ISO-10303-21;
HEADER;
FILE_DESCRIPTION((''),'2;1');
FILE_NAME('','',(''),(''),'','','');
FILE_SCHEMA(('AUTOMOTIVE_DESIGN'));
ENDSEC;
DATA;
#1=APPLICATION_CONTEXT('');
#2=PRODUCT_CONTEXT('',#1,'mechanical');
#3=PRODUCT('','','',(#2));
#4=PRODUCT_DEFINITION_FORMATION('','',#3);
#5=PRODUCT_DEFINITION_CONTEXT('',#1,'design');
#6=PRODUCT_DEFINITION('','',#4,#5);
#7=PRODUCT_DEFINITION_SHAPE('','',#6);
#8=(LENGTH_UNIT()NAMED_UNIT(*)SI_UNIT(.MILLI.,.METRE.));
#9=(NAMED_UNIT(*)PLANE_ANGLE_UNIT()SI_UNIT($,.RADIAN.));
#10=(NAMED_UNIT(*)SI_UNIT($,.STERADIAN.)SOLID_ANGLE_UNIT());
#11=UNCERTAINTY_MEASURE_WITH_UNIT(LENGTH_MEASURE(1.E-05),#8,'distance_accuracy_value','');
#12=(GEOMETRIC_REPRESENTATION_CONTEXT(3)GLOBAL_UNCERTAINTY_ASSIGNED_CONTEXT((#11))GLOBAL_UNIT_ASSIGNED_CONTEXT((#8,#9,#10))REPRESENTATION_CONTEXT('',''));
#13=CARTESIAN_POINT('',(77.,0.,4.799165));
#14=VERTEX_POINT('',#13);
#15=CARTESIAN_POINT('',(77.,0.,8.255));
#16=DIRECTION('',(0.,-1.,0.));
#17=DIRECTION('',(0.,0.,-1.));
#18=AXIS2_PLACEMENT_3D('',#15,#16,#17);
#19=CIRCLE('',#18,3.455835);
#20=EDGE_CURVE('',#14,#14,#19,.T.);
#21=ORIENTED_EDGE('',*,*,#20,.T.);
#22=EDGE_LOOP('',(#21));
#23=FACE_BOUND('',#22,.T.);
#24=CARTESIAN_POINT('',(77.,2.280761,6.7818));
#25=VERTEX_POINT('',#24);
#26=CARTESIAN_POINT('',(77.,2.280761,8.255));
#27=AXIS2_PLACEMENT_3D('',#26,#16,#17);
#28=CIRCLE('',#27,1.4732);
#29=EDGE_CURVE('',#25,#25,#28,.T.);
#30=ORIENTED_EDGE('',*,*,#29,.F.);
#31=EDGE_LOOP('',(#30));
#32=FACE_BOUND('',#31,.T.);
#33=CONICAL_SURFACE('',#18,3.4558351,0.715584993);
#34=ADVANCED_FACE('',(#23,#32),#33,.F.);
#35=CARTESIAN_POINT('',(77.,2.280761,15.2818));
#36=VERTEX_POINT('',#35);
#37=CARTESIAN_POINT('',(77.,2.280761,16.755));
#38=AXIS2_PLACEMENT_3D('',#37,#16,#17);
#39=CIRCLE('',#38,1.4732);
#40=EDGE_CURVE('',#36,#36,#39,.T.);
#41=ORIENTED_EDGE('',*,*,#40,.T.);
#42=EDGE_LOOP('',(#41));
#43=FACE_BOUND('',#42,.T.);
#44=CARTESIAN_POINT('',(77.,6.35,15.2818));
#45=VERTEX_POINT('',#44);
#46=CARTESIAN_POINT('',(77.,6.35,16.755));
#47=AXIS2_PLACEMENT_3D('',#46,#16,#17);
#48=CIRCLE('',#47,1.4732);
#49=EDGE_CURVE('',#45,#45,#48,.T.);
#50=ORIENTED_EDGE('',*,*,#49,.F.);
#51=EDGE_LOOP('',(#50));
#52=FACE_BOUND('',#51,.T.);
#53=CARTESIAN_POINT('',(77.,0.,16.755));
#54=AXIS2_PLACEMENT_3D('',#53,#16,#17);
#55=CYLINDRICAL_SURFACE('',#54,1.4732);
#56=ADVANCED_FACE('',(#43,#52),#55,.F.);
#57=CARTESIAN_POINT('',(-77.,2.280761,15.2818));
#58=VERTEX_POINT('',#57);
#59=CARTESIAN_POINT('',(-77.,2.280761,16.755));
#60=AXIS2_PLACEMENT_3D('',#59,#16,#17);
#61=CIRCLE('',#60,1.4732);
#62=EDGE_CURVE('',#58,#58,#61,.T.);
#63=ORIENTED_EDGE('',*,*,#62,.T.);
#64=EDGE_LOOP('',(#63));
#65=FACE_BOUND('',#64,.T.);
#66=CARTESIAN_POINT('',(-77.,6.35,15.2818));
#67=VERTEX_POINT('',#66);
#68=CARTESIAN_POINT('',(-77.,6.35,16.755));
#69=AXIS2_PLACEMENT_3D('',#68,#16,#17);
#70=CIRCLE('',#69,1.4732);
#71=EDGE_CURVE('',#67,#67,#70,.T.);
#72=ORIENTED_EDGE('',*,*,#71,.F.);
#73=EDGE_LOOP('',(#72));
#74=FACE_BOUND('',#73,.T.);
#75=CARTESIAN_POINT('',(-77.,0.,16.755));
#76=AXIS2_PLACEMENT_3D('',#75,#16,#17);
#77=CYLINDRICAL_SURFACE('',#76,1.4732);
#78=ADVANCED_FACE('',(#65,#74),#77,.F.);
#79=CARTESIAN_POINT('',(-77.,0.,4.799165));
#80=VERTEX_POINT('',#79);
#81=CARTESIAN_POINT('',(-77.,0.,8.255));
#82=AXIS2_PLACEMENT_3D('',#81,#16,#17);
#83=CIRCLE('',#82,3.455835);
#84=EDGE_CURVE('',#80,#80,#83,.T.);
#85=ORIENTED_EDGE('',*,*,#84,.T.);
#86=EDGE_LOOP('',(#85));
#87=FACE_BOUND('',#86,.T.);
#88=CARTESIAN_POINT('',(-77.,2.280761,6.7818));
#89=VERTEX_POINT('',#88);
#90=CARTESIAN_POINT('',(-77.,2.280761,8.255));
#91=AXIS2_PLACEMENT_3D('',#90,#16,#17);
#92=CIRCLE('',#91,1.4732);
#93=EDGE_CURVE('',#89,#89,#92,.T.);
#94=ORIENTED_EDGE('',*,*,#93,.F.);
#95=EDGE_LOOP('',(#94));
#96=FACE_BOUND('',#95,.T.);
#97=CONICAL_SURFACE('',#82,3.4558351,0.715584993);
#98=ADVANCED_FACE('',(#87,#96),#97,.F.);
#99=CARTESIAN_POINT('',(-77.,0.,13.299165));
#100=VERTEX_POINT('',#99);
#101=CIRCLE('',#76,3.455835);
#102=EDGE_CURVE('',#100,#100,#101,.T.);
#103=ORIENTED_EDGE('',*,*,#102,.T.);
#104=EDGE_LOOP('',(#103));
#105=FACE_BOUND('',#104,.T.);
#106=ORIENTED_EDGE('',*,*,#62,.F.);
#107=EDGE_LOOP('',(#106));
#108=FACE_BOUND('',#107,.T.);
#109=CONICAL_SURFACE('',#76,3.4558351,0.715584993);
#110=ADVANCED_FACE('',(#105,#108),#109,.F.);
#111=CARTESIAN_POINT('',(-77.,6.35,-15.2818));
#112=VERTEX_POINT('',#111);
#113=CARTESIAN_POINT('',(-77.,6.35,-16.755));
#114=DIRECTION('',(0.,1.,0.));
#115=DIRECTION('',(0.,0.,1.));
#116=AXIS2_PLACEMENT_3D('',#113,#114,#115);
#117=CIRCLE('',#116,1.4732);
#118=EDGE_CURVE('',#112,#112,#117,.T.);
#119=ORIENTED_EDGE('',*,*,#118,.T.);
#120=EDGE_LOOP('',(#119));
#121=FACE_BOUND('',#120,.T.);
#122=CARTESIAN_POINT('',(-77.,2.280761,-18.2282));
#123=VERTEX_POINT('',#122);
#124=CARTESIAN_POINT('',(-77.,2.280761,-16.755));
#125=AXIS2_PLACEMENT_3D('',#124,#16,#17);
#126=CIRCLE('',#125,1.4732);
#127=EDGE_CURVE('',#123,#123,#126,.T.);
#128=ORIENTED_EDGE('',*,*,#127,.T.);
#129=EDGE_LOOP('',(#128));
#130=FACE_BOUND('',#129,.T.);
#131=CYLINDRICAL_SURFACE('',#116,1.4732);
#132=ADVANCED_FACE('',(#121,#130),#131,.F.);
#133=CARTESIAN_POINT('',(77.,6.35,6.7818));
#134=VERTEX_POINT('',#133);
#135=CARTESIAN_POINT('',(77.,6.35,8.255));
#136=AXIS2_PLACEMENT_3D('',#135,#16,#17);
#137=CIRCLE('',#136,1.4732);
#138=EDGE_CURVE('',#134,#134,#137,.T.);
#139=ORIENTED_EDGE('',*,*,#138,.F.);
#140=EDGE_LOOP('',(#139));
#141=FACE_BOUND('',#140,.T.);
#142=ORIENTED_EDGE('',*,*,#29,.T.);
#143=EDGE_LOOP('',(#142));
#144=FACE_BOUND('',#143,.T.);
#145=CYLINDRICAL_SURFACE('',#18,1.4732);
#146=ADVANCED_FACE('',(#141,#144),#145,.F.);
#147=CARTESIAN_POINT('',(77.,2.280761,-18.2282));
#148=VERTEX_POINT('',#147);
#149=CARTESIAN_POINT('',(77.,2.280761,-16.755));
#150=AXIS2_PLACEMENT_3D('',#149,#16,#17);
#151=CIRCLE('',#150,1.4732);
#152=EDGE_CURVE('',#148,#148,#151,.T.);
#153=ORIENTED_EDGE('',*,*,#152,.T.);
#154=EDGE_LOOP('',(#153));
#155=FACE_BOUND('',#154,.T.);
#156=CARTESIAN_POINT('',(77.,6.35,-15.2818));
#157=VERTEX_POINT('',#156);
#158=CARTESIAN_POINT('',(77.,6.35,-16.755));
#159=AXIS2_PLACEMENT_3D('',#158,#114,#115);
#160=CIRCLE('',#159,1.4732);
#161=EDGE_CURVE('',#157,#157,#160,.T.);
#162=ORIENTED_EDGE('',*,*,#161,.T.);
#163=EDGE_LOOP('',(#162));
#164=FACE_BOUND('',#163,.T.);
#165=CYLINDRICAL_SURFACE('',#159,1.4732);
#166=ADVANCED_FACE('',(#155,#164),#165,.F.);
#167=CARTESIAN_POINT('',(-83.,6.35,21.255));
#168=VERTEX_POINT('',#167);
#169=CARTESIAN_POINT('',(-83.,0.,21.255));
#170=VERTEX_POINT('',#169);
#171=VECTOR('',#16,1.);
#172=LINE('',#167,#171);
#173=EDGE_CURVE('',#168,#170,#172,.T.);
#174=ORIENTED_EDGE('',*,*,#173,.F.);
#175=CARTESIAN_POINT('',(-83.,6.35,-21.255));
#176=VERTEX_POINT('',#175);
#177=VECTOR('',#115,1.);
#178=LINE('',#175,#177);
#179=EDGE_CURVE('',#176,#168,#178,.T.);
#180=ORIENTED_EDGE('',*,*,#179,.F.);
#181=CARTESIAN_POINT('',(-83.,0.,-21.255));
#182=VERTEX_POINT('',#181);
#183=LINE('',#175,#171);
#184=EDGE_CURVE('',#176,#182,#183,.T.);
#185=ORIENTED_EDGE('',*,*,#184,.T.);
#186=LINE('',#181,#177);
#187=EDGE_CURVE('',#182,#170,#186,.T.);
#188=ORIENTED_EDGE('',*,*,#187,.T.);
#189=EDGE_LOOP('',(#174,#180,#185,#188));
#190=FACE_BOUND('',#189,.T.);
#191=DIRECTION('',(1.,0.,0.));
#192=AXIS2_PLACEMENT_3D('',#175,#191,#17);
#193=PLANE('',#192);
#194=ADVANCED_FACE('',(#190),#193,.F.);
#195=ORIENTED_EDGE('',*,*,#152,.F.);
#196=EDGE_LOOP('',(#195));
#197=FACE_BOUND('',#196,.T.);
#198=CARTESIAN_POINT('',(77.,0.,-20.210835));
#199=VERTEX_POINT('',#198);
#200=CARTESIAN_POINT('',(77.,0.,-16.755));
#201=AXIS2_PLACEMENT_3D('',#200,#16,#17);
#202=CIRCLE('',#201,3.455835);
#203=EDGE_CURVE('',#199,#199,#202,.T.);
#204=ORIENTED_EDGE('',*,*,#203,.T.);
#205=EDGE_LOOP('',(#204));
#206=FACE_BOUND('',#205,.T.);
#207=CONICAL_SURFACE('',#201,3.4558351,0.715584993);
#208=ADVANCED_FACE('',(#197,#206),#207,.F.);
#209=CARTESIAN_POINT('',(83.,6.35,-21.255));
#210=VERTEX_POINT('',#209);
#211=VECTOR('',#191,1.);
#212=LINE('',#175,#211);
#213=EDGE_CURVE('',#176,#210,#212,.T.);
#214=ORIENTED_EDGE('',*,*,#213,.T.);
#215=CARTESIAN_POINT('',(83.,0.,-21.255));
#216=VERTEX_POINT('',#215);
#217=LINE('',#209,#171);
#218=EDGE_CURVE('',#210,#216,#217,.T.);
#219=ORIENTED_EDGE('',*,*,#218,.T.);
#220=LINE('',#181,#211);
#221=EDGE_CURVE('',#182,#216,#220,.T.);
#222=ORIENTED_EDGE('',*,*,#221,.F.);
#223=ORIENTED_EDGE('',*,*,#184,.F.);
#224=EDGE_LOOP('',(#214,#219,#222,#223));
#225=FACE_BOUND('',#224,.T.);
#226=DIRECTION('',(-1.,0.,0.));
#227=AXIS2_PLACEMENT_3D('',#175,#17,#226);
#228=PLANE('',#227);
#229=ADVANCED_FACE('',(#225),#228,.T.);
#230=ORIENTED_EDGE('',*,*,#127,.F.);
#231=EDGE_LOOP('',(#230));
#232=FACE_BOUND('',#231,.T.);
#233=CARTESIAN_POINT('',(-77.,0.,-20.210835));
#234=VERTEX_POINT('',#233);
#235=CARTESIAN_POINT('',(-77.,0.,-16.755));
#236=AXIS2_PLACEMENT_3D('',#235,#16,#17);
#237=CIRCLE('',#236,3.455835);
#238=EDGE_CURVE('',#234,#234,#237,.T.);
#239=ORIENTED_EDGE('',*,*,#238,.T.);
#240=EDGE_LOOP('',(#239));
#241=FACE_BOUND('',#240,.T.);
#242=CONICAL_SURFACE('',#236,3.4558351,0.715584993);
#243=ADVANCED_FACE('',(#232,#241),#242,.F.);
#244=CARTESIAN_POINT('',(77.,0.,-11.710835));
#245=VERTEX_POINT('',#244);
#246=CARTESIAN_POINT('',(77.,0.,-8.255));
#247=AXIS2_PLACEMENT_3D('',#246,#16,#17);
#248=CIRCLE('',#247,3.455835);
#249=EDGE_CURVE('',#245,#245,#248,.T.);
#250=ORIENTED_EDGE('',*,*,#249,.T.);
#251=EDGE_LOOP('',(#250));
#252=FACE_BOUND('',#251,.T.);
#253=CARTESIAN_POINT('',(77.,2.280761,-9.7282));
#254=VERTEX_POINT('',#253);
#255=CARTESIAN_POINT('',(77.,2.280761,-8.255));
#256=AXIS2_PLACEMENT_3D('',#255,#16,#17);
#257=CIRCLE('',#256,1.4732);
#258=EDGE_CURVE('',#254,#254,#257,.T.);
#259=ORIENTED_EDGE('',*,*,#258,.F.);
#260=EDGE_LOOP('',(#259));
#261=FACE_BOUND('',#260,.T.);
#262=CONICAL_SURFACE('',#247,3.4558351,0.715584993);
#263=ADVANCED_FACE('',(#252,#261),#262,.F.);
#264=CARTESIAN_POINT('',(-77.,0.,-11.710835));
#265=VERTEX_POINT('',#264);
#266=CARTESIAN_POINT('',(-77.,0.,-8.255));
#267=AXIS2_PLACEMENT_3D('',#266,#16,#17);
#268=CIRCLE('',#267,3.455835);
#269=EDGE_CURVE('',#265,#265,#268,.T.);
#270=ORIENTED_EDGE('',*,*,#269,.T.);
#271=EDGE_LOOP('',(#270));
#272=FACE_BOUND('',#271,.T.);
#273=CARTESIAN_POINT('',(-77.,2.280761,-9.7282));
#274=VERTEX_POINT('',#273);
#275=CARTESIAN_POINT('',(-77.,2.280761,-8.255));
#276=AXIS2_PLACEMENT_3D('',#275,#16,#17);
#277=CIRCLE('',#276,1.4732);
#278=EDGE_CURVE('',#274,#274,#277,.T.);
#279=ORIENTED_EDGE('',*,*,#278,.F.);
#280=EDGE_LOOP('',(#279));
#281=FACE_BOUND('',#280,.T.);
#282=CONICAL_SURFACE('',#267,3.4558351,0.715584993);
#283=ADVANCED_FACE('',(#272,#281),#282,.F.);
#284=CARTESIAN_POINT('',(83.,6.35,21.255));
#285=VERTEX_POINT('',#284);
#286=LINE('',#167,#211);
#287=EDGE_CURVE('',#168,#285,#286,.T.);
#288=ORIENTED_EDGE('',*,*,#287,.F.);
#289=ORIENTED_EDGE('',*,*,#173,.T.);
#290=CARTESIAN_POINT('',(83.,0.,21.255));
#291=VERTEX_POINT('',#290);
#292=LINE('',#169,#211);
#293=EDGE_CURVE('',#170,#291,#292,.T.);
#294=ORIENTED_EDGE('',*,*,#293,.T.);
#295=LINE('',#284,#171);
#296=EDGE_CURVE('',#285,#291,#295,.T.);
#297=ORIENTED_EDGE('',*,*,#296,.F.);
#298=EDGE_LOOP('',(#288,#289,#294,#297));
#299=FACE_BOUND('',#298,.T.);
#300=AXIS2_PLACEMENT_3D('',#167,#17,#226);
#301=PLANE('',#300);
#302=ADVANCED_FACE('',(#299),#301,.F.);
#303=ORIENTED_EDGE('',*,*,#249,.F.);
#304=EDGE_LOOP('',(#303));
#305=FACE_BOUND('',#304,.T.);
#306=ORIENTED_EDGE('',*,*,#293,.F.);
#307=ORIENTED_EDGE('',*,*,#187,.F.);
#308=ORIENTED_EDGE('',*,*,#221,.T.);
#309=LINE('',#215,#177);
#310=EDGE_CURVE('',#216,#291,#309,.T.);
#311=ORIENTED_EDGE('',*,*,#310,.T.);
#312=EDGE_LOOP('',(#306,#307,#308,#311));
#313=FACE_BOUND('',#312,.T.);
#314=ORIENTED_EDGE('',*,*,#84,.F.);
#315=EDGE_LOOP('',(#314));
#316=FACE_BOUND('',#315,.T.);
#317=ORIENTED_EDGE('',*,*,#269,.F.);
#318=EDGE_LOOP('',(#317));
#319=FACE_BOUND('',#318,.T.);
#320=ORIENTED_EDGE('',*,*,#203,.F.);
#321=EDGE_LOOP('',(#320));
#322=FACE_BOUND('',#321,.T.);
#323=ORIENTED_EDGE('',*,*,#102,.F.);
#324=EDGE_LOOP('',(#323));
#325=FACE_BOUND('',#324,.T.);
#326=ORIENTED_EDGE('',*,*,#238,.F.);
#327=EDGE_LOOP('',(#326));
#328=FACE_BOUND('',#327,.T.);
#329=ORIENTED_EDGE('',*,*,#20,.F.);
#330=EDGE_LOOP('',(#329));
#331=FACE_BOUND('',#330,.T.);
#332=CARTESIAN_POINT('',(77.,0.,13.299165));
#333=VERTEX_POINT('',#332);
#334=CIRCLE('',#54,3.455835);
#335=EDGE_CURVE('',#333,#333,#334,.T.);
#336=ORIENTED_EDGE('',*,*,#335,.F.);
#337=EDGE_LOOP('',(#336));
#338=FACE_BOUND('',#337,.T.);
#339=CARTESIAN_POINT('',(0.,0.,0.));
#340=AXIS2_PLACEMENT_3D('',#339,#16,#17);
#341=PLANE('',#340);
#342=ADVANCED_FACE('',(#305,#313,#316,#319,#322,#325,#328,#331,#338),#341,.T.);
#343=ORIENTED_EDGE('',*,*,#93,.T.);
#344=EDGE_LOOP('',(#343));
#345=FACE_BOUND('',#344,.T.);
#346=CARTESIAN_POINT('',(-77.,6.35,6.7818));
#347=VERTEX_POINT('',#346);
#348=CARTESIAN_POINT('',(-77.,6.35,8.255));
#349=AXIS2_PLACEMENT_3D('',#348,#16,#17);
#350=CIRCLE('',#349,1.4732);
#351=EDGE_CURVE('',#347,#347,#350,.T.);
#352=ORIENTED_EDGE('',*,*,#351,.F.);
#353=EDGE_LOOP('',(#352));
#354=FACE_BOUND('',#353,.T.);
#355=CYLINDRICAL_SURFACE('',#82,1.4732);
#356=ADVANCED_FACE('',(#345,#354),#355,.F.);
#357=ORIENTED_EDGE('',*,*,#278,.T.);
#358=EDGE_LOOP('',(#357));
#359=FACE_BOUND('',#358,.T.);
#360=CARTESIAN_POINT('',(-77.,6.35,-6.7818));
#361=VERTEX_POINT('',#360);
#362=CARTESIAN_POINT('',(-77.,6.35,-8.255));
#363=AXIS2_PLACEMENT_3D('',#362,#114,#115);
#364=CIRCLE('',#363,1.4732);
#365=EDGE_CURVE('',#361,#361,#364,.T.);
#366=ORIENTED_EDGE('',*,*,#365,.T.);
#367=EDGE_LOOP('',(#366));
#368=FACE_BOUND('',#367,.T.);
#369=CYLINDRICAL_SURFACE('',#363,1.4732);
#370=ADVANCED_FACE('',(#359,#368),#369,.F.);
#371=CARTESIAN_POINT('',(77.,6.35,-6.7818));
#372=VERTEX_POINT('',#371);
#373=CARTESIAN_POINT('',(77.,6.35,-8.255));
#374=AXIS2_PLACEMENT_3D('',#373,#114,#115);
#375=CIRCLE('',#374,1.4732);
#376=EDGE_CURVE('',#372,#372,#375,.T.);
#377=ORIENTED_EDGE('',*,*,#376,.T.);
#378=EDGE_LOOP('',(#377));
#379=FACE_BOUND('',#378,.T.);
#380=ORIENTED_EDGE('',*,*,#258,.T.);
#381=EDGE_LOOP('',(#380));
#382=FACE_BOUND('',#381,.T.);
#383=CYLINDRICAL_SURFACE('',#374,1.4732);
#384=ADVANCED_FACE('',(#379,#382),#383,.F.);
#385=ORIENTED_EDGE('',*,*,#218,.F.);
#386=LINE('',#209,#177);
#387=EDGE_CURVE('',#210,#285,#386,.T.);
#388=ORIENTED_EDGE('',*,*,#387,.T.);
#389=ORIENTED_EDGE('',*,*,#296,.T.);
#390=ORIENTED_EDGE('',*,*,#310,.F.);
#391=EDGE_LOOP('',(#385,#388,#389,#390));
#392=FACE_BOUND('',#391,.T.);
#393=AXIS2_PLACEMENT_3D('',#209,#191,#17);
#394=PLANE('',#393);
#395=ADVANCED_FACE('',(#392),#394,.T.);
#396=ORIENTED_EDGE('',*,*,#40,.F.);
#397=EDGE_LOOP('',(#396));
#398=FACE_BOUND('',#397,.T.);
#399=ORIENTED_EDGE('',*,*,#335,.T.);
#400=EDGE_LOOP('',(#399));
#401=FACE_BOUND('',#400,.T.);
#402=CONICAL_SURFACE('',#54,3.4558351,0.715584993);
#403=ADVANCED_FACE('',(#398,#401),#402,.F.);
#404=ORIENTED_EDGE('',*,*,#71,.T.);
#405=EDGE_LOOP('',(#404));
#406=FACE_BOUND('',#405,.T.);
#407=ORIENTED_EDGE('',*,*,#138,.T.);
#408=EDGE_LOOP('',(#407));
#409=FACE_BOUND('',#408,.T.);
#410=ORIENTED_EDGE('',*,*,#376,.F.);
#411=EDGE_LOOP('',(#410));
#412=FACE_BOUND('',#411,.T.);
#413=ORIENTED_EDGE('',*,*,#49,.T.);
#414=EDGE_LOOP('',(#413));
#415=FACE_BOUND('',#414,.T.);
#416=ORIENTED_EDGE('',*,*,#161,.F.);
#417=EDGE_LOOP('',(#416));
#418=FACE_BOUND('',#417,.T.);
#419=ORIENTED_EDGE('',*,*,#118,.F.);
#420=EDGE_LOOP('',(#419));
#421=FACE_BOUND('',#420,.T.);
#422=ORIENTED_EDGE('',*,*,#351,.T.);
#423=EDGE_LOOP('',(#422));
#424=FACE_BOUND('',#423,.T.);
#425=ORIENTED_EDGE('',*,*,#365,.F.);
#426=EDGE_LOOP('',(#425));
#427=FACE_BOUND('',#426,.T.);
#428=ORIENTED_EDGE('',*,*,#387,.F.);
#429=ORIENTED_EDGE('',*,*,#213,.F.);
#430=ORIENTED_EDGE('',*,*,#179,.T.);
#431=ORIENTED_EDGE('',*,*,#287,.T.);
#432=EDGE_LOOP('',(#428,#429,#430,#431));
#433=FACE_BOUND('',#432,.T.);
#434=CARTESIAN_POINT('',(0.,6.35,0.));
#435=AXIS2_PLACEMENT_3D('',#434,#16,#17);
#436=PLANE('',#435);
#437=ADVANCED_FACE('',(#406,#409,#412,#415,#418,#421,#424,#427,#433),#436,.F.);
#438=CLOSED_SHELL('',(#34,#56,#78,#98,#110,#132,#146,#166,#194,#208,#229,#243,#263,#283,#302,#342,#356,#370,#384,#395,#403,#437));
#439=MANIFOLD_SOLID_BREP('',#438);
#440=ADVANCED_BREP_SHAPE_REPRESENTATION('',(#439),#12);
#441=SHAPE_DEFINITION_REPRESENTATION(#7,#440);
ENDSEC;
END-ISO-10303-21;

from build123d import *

# Parameters (mm, degrees)
SKETCH1_W                                         = 166
SKETCH1_H                                         = 42.51
BOSS_EXTRUDE1_DEPTH                               = 6.35
F_4_CLEARANCE_HOLE1_D                             = 2.9464
CSK_FOR_4_FLAT_HEAD_SOCKET_CAP_SCREW1_D           = 2.9464
CSK_FOR_4_FLAT_HEAD_SOCKET_CAP_SCREW1_CSINK_D     = 6.9116702
CSK_FOR_4_FLAT_HEAD_SOCKET_CAP_SCREW1_CSINK_ANGLE = 82


with BuildPart() as part:
    # Sketch1 → Boss-Extrude1 (new body)
    with BuildSketch(Plane(origin=(0, 0, 0), x_dir=(1, 0, 0), z_dir=(0, 1, 0))):
        Rectangle(SKETCH1_W, SKETCH1_H)
    extrude(amount=BOSS_EXTRUDE1_DEPTH)

    # #4 Clearance Hole1 (through all)
    with Locations(Plane(origin=(0, 6.35, 0), x_dir=(1, 0, 0), z_dir=(0, 1, 0))):
        with Locations((-77, 8.255), (-77, 16.755), (77, 8.255), (77, 16.755)):
            Hole(F_4_CLEARANCE_HOLE1_D / 2)

    # CSK for #4 Flat Head Socket Cap Screw1 (through all)
    with Locations(Plane(origin=(0, 0, 0), x_dir=(-1, 0, 0), z_dir=(0, -1, 0))):
        with Locations((77, 8.255), (77, 16.755), (-77, 8.255), (-77, 16.755)):
            csk_for_4_flat_head_socket_cap_screw1 = CounterSinkHole(CSK_FOR_4_FLAT_HEAD_SOCKET_CAP_SCREW1_D / 2, CSK_FOR_4_FLAT_HEAD_SOCKET_CAP_SCREW1_CSINK_D / 2, counter_sink_angle=CSK_FOR_4_FLAT_HEAD_SOCKET_CAP_SCREW1_CSINK_ANGLE)

    # Mirror1: CSK for #4 Flat Head Socket Cap Screw1 across plane
    add(csk_for_4_flat_head_socket_cap_screw1.mirror(Plane.XY), mode=Mode.SUBTRACT)


solid = part.part
